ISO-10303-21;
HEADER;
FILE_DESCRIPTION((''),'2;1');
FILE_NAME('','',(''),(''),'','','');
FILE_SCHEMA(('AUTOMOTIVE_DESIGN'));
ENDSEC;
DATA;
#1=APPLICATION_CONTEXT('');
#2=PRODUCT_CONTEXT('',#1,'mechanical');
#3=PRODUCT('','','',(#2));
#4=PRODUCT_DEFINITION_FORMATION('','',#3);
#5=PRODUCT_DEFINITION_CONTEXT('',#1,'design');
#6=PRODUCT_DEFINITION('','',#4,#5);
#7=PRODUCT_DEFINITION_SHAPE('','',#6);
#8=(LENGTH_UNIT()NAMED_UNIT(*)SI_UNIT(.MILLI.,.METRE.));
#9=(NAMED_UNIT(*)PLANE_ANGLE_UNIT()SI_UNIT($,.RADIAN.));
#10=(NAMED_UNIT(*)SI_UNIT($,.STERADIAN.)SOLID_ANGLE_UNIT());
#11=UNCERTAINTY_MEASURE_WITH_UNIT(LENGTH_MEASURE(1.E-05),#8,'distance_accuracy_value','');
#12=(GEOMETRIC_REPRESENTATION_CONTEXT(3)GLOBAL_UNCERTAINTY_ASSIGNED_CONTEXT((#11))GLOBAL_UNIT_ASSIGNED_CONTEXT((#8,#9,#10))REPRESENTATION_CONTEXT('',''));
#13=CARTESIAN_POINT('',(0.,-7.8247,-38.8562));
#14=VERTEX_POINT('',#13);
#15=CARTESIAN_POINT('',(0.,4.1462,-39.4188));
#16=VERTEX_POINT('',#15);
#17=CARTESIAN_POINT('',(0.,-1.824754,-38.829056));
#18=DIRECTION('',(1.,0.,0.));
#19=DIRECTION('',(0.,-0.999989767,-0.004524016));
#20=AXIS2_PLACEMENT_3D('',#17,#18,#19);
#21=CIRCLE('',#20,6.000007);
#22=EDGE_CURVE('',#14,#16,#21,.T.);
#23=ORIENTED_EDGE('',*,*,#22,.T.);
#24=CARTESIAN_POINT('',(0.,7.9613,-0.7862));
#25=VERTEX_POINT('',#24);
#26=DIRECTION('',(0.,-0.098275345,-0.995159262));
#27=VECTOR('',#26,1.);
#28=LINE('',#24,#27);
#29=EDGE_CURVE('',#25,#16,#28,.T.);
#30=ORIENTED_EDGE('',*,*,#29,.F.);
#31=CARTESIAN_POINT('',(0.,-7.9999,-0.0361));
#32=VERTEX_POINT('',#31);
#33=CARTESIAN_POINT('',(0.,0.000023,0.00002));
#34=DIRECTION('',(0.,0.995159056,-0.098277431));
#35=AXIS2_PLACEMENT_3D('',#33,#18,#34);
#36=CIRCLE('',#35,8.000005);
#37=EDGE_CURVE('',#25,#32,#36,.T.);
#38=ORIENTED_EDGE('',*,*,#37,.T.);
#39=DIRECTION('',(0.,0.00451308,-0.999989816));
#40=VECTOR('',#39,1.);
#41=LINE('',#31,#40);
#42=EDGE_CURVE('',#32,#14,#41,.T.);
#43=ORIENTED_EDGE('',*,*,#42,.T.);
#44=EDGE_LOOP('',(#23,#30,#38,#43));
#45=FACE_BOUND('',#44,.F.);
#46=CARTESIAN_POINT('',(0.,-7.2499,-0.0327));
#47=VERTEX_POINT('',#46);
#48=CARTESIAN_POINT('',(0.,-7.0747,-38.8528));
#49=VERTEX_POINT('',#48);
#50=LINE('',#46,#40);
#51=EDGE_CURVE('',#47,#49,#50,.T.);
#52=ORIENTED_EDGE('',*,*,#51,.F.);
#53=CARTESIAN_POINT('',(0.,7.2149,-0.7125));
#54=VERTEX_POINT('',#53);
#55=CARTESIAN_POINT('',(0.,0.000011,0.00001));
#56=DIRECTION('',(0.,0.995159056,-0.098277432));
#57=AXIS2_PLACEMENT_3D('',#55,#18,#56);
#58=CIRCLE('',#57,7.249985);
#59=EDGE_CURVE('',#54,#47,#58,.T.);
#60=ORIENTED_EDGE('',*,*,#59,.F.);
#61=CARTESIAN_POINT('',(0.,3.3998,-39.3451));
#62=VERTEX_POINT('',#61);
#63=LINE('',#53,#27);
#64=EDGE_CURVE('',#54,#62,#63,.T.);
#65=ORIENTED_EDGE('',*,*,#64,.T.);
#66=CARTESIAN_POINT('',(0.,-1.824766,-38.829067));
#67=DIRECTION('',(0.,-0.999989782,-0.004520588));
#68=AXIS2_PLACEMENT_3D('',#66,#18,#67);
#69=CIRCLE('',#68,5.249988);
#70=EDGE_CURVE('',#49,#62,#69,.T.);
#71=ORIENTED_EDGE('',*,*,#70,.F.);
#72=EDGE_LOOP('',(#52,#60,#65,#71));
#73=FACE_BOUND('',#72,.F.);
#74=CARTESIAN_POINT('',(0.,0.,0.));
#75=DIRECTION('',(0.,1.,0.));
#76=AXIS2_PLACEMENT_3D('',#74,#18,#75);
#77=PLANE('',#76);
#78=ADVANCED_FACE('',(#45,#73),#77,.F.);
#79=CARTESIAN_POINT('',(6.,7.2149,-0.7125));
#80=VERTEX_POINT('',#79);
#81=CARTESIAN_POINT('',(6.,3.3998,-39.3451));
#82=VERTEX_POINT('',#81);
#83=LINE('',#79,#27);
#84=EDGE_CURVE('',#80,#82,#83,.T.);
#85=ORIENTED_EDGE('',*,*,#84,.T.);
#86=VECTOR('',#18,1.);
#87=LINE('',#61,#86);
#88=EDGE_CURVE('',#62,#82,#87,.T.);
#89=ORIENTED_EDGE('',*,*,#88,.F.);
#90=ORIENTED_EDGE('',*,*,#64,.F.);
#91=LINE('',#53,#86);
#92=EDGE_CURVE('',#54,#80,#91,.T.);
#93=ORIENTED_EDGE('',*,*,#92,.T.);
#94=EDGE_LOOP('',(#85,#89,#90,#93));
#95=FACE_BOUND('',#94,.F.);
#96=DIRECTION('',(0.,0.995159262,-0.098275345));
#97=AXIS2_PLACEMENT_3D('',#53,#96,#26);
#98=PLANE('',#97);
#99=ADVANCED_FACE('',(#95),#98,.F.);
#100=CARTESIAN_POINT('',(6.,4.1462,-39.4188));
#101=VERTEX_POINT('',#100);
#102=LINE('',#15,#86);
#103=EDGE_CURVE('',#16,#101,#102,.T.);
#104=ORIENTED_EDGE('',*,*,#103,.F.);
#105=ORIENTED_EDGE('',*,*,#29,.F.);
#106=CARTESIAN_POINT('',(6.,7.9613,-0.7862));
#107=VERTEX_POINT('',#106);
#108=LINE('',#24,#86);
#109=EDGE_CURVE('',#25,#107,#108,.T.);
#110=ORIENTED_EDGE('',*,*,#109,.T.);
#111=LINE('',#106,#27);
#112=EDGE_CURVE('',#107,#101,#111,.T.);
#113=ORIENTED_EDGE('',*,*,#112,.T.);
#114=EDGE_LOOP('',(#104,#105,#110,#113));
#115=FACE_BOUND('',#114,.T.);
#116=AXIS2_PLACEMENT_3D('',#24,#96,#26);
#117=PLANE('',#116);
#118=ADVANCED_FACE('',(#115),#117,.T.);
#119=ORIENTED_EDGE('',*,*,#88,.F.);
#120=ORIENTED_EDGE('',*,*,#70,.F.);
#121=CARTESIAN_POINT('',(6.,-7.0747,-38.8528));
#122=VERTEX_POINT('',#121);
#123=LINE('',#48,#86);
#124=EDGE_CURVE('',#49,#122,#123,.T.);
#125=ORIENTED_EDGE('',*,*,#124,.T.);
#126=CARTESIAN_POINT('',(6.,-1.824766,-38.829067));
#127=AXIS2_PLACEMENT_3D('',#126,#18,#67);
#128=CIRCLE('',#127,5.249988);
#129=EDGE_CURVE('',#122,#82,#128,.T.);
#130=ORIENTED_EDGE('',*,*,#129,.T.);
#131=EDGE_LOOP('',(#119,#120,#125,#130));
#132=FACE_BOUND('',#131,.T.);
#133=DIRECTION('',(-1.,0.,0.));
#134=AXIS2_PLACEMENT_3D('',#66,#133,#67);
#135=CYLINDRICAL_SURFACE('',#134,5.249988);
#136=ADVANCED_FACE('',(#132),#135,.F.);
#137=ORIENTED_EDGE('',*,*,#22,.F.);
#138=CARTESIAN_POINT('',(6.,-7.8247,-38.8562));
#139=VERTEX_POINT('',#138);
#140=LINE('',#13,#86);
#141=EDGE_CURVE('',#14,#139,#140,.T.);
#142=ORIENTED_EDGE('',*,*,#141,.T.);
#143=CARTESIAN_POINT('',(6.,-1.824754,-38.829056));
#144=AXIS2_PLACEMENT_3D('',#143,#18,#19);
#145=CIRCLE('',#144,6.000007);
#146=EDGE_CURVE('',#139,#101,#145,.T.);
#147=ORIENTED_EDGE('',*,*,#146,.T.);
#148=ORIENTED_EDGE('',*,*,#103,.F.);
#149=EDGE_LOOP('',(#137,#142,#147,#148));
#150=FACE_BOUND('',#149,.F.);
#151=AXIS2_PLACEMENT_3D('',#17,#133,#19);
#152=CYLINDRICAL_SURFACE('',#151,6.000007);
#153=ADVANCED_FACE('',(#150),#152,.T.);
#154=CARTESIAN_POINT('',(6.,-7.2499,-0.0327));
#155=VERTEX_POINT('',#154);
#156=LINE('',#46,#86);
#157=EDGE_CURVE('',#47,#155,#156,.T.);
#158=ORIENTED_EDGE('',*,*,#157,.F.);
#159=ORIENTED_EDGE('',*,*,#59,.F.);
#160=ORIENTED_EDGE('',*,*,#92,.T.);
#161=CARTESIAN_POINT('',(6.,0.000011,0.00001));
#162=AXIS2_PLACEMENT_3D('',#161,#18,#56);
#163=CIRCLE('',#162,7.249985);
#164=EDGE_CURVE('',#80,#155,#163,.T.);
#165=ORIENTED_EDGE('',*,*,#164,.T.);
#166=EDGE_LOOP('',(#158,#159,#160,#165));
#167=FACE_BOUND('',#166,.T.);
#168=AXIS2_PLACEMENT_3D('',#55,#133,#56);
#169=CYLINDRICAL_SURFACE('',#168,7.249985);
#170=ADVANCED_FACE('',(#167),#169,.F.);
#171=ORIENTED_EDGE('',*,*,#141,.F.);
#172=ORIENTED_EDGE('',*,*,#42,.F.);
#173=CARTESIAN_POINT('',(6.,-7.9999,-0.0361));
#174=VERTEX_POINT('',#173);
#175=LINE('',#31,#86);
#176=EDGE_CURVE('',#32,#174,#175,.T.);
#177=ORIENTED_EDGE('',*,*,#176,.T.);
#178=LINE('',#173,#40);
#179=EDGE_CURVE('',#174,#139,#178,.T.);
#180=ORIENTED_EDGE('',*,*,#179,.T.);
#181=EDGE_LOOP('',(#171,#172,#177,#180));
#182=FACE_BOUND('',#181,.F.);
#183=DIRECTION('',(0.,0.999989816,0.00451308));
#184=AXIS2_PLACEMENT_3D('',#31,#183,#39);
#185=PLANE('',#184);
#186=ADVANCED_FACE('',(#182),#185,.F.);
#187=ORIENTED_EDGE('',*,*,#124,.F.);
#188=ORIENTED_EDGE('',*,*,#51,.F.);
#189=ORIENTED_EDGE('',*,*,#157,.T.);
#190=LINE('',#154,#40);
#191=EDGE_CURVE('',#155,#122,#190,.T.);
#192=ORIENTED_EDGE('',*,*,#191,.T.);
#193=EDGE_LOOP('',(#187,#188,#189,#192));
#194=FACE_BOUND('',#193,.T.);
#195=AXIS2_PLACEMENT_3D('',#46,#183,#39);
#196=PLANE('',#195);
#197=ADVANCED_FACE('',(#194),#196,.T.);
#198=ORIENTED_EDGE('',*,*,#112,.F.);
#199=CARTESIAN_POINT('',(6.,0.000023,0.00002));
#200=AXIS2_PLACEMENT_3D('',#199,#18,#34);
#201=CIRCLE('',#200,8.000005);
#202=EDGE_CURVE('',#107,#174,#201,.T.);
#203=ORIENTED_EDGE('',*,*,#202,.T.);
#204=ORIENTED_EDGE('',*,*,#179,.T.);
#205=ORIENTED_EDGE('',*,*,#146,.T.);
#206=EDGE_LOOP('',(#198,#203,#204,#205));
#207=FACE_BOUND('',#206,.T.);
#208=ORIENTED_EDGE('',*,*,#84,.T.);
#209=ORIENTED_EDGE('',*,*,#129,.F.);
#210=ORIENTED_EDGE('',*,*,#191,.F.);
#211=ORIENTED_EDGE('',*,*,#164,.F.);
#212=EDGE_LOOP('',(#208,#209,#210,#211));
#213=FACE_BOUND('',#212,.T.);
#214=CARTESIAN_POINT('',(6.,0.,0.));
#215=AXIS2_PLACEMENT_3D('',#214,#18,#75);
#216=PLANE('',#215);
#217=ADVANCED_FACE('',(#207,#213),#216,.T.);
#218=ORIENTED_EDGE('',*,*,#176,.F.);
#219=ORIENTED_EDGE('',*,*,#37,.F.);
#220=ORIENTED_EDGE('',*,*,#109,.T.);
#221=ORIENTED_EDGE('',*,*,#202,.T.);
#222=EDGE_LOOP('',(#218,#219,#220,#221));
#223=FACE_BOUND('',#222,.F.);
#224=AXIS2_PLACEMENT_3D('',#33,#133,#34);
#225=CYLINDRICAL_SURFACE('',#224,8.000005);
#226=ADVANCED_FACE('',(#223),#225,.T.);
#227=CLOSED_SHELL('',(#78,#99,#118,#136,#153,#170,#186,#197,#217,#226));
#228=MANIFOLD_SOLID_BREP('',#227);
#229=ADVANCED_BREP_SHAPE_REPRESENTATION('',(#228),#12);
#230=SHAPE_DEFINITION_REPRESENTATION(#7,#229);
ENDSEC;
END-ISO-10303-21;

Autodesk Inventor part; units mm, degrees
ref_plane "YZ Plane" through (0, 0, 0) normal (1, 0, 0) x (0, 1, 0)
ref_plane "XZ Plane" through (0, 0, 0) normal (0, 1, 0) x (-1, 0, 0)
ref_plane "XY Plane" through (0, 0, 0) normal (0, 0, 1) x (1, 0, 0)
sketch "Эскиз1" plane through (0, 0, 0) normal (1, 0, 0) x (0, 1, 0)
  arc A0 (7.9613, -0.7862) -> (-7.9999, -0.0361) centre (0, 0) ccw
  arc A1 (-7.8247, -38.8562) -> (4.1462, -39.4188) centre (-1.8248, -38.8291) ccw
  line L0 (7.9613, -0.7862) -> (4.1462, -39.4188)
  line L1 (-7.9999, -0.0361) -> (-7.8247, -38.8562)
  arc A2 (-7.9999, -0.0361) -> (7.9613, -0.7862) centre (0, 0) ccw construction
  arc A3 (4.1462, -39.4188) -> (-7.8247, -38.8562) centre (-1.8248, -38.8291) ccw construction
  arc A4 (7.2149, -0.7125) -> (-7.2499, -0.0327) centre (0, 0) ccw
  arc A5 (-7.0747, -38.8528) -> (3.3998, -39.3451) centre (-1.8248, -38.8291) ccw
  line L2 (7.2149, -0.7125) -> (3.3998, -39.3451)
  line L3 (0, 0) -> (-1.8248, -38.8291) construction
  line L4 (-7.2499, -0.0327) -> (-7.0747, -38.8528)
  arc A6 (-1.5783, -33.5849) -> (-7.0747, -38.8528) centre (-1.8248, -38.8291) ccw construction
  arc A7 (3.3998, -39.3451) -> (-1.5783, -33.5849) centre (-1.8248, -38.8291) ccw construction
  arc A8 (-0.3403, -7.242) -> (7.2149, -0.7125) centre (0, 0) ccw construction
  arc A9 (-7.2499, -0.0327) -> (-0.3403, -7.242) centre (0, 0) ccw construction
  dimension "d0" = 38.872
  dimension "d1" = 16
  dimension "d2" = 12
  dimension "d3" = 14.5
  dimension "d4" = 10.5
extrude "Выдавливание1" add sketch "Эскиз1" along normal blind 6
properties part number "remen"
